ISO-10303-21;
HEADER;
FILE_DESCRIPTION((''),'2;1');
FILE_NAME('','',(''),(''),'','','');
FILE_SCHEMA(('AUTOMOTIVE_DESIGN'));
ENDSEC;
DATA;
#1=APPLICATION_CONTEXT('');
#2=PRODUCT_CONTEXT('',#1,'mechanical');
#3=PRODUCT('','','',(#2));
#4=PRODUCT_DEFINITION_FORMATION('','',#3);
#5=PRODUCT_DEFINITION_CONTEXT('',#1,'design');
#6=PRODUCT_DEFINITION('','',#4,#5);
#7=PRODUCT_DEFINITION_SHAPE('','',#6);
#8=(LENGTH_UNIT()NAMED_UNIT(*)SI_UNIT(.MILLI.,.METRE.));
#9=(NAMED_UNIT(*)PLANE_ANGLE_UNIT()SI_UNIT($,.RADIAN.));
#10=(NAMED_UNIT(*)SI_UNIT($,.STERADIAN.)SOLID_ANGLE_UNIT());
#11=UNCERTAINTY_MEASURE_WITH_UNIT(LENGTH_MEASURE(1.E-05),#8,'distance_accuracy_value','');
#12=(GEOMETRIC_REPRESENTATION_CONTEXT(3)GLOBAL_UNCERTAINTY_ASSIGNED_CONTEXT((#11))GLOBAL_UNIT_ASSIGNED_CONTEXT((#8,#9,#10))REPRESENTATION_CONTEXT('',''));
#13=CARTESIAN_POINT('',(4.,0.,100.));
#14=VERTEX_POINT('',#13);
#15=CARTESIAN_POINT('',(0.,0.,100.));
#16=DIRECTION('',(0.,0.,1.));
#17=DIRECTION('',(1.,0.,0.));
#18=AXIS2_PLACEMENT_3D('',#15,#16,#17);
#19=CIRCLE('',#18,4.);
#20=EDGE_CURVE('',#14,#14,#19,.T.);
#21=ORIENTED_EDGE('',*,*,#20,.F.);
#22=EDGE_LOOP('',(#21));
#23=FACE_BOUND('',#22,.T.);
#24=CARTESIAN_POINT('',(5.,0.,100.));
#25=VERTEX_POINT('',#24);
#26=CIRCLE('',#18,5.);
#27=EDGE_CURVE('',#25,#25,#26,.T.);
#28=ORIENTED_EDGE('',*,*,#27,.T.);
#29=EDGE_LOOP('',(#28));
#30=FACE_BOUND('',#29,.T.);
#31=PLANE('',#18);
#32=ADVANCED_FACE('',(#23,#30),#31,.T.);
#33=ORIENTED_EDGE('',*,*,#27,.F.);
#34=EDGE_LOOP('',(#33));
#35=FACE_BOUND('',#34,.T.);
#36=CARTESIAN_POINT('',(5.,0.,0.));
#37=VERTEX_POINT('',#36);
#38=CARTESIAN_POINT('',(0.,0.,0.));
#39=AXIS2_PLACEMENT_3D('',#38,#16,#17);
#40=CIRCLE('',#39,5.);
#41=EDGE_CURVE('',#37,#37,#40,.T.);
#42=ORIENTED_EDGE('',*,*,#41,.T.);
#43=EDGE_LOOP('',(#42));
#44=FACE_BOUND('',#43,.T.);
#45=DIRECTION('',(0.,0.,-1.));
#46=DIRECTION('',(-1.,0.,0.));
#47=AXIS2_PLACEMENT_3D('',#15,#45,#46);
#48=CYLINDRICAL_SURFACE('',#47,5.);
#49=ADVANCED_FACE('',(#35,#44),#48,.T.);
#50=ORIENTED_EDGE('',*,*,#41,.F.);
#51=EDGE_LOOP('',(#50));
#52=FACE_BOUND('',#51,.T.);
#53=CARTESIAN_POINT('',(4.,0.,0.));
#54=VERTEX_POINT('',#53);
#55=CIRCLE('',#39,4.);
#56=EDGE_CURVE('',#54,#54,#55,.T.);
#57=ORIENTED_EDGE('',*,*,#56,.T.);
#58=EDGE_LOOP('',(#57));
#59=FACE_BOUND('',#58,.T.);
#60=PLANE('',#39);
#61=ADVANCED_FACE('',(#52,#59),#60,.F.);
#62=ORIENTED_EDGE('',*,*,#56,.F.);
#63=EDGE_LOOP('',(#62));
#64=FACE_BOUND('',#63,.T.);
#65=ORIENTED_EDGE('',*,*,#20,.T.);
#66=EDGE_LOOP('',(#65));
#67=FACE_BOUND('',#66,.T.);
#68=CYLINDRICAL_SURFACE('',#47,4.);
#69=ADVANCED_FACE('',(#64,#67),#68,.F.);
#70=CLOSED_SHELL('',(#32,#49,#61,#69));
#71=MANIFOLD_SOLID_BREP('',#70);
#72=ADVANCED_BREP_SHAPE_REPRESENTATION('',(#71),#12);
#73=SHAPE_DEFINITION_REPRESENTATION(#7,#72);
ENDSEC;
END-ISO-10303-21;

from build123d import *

# Parameters (mm, degrees)
SKETCH_1_R        = 5
SKETCH_1_R_2      = 4
EXTRUDE_274_DEPTH = 100


with BuildPart() as part:
    # Эскиз1 → Extrude 274 (new body)
    with BuildSketch(Plane.XY):
        Circle(SKETCH_1_R)
        Circle(SKETCH_1_R_2, mode=Mode.SUBTRACT)
    extrude(amount=EXTRUDE_274_DEPTH)


solid = part.part
